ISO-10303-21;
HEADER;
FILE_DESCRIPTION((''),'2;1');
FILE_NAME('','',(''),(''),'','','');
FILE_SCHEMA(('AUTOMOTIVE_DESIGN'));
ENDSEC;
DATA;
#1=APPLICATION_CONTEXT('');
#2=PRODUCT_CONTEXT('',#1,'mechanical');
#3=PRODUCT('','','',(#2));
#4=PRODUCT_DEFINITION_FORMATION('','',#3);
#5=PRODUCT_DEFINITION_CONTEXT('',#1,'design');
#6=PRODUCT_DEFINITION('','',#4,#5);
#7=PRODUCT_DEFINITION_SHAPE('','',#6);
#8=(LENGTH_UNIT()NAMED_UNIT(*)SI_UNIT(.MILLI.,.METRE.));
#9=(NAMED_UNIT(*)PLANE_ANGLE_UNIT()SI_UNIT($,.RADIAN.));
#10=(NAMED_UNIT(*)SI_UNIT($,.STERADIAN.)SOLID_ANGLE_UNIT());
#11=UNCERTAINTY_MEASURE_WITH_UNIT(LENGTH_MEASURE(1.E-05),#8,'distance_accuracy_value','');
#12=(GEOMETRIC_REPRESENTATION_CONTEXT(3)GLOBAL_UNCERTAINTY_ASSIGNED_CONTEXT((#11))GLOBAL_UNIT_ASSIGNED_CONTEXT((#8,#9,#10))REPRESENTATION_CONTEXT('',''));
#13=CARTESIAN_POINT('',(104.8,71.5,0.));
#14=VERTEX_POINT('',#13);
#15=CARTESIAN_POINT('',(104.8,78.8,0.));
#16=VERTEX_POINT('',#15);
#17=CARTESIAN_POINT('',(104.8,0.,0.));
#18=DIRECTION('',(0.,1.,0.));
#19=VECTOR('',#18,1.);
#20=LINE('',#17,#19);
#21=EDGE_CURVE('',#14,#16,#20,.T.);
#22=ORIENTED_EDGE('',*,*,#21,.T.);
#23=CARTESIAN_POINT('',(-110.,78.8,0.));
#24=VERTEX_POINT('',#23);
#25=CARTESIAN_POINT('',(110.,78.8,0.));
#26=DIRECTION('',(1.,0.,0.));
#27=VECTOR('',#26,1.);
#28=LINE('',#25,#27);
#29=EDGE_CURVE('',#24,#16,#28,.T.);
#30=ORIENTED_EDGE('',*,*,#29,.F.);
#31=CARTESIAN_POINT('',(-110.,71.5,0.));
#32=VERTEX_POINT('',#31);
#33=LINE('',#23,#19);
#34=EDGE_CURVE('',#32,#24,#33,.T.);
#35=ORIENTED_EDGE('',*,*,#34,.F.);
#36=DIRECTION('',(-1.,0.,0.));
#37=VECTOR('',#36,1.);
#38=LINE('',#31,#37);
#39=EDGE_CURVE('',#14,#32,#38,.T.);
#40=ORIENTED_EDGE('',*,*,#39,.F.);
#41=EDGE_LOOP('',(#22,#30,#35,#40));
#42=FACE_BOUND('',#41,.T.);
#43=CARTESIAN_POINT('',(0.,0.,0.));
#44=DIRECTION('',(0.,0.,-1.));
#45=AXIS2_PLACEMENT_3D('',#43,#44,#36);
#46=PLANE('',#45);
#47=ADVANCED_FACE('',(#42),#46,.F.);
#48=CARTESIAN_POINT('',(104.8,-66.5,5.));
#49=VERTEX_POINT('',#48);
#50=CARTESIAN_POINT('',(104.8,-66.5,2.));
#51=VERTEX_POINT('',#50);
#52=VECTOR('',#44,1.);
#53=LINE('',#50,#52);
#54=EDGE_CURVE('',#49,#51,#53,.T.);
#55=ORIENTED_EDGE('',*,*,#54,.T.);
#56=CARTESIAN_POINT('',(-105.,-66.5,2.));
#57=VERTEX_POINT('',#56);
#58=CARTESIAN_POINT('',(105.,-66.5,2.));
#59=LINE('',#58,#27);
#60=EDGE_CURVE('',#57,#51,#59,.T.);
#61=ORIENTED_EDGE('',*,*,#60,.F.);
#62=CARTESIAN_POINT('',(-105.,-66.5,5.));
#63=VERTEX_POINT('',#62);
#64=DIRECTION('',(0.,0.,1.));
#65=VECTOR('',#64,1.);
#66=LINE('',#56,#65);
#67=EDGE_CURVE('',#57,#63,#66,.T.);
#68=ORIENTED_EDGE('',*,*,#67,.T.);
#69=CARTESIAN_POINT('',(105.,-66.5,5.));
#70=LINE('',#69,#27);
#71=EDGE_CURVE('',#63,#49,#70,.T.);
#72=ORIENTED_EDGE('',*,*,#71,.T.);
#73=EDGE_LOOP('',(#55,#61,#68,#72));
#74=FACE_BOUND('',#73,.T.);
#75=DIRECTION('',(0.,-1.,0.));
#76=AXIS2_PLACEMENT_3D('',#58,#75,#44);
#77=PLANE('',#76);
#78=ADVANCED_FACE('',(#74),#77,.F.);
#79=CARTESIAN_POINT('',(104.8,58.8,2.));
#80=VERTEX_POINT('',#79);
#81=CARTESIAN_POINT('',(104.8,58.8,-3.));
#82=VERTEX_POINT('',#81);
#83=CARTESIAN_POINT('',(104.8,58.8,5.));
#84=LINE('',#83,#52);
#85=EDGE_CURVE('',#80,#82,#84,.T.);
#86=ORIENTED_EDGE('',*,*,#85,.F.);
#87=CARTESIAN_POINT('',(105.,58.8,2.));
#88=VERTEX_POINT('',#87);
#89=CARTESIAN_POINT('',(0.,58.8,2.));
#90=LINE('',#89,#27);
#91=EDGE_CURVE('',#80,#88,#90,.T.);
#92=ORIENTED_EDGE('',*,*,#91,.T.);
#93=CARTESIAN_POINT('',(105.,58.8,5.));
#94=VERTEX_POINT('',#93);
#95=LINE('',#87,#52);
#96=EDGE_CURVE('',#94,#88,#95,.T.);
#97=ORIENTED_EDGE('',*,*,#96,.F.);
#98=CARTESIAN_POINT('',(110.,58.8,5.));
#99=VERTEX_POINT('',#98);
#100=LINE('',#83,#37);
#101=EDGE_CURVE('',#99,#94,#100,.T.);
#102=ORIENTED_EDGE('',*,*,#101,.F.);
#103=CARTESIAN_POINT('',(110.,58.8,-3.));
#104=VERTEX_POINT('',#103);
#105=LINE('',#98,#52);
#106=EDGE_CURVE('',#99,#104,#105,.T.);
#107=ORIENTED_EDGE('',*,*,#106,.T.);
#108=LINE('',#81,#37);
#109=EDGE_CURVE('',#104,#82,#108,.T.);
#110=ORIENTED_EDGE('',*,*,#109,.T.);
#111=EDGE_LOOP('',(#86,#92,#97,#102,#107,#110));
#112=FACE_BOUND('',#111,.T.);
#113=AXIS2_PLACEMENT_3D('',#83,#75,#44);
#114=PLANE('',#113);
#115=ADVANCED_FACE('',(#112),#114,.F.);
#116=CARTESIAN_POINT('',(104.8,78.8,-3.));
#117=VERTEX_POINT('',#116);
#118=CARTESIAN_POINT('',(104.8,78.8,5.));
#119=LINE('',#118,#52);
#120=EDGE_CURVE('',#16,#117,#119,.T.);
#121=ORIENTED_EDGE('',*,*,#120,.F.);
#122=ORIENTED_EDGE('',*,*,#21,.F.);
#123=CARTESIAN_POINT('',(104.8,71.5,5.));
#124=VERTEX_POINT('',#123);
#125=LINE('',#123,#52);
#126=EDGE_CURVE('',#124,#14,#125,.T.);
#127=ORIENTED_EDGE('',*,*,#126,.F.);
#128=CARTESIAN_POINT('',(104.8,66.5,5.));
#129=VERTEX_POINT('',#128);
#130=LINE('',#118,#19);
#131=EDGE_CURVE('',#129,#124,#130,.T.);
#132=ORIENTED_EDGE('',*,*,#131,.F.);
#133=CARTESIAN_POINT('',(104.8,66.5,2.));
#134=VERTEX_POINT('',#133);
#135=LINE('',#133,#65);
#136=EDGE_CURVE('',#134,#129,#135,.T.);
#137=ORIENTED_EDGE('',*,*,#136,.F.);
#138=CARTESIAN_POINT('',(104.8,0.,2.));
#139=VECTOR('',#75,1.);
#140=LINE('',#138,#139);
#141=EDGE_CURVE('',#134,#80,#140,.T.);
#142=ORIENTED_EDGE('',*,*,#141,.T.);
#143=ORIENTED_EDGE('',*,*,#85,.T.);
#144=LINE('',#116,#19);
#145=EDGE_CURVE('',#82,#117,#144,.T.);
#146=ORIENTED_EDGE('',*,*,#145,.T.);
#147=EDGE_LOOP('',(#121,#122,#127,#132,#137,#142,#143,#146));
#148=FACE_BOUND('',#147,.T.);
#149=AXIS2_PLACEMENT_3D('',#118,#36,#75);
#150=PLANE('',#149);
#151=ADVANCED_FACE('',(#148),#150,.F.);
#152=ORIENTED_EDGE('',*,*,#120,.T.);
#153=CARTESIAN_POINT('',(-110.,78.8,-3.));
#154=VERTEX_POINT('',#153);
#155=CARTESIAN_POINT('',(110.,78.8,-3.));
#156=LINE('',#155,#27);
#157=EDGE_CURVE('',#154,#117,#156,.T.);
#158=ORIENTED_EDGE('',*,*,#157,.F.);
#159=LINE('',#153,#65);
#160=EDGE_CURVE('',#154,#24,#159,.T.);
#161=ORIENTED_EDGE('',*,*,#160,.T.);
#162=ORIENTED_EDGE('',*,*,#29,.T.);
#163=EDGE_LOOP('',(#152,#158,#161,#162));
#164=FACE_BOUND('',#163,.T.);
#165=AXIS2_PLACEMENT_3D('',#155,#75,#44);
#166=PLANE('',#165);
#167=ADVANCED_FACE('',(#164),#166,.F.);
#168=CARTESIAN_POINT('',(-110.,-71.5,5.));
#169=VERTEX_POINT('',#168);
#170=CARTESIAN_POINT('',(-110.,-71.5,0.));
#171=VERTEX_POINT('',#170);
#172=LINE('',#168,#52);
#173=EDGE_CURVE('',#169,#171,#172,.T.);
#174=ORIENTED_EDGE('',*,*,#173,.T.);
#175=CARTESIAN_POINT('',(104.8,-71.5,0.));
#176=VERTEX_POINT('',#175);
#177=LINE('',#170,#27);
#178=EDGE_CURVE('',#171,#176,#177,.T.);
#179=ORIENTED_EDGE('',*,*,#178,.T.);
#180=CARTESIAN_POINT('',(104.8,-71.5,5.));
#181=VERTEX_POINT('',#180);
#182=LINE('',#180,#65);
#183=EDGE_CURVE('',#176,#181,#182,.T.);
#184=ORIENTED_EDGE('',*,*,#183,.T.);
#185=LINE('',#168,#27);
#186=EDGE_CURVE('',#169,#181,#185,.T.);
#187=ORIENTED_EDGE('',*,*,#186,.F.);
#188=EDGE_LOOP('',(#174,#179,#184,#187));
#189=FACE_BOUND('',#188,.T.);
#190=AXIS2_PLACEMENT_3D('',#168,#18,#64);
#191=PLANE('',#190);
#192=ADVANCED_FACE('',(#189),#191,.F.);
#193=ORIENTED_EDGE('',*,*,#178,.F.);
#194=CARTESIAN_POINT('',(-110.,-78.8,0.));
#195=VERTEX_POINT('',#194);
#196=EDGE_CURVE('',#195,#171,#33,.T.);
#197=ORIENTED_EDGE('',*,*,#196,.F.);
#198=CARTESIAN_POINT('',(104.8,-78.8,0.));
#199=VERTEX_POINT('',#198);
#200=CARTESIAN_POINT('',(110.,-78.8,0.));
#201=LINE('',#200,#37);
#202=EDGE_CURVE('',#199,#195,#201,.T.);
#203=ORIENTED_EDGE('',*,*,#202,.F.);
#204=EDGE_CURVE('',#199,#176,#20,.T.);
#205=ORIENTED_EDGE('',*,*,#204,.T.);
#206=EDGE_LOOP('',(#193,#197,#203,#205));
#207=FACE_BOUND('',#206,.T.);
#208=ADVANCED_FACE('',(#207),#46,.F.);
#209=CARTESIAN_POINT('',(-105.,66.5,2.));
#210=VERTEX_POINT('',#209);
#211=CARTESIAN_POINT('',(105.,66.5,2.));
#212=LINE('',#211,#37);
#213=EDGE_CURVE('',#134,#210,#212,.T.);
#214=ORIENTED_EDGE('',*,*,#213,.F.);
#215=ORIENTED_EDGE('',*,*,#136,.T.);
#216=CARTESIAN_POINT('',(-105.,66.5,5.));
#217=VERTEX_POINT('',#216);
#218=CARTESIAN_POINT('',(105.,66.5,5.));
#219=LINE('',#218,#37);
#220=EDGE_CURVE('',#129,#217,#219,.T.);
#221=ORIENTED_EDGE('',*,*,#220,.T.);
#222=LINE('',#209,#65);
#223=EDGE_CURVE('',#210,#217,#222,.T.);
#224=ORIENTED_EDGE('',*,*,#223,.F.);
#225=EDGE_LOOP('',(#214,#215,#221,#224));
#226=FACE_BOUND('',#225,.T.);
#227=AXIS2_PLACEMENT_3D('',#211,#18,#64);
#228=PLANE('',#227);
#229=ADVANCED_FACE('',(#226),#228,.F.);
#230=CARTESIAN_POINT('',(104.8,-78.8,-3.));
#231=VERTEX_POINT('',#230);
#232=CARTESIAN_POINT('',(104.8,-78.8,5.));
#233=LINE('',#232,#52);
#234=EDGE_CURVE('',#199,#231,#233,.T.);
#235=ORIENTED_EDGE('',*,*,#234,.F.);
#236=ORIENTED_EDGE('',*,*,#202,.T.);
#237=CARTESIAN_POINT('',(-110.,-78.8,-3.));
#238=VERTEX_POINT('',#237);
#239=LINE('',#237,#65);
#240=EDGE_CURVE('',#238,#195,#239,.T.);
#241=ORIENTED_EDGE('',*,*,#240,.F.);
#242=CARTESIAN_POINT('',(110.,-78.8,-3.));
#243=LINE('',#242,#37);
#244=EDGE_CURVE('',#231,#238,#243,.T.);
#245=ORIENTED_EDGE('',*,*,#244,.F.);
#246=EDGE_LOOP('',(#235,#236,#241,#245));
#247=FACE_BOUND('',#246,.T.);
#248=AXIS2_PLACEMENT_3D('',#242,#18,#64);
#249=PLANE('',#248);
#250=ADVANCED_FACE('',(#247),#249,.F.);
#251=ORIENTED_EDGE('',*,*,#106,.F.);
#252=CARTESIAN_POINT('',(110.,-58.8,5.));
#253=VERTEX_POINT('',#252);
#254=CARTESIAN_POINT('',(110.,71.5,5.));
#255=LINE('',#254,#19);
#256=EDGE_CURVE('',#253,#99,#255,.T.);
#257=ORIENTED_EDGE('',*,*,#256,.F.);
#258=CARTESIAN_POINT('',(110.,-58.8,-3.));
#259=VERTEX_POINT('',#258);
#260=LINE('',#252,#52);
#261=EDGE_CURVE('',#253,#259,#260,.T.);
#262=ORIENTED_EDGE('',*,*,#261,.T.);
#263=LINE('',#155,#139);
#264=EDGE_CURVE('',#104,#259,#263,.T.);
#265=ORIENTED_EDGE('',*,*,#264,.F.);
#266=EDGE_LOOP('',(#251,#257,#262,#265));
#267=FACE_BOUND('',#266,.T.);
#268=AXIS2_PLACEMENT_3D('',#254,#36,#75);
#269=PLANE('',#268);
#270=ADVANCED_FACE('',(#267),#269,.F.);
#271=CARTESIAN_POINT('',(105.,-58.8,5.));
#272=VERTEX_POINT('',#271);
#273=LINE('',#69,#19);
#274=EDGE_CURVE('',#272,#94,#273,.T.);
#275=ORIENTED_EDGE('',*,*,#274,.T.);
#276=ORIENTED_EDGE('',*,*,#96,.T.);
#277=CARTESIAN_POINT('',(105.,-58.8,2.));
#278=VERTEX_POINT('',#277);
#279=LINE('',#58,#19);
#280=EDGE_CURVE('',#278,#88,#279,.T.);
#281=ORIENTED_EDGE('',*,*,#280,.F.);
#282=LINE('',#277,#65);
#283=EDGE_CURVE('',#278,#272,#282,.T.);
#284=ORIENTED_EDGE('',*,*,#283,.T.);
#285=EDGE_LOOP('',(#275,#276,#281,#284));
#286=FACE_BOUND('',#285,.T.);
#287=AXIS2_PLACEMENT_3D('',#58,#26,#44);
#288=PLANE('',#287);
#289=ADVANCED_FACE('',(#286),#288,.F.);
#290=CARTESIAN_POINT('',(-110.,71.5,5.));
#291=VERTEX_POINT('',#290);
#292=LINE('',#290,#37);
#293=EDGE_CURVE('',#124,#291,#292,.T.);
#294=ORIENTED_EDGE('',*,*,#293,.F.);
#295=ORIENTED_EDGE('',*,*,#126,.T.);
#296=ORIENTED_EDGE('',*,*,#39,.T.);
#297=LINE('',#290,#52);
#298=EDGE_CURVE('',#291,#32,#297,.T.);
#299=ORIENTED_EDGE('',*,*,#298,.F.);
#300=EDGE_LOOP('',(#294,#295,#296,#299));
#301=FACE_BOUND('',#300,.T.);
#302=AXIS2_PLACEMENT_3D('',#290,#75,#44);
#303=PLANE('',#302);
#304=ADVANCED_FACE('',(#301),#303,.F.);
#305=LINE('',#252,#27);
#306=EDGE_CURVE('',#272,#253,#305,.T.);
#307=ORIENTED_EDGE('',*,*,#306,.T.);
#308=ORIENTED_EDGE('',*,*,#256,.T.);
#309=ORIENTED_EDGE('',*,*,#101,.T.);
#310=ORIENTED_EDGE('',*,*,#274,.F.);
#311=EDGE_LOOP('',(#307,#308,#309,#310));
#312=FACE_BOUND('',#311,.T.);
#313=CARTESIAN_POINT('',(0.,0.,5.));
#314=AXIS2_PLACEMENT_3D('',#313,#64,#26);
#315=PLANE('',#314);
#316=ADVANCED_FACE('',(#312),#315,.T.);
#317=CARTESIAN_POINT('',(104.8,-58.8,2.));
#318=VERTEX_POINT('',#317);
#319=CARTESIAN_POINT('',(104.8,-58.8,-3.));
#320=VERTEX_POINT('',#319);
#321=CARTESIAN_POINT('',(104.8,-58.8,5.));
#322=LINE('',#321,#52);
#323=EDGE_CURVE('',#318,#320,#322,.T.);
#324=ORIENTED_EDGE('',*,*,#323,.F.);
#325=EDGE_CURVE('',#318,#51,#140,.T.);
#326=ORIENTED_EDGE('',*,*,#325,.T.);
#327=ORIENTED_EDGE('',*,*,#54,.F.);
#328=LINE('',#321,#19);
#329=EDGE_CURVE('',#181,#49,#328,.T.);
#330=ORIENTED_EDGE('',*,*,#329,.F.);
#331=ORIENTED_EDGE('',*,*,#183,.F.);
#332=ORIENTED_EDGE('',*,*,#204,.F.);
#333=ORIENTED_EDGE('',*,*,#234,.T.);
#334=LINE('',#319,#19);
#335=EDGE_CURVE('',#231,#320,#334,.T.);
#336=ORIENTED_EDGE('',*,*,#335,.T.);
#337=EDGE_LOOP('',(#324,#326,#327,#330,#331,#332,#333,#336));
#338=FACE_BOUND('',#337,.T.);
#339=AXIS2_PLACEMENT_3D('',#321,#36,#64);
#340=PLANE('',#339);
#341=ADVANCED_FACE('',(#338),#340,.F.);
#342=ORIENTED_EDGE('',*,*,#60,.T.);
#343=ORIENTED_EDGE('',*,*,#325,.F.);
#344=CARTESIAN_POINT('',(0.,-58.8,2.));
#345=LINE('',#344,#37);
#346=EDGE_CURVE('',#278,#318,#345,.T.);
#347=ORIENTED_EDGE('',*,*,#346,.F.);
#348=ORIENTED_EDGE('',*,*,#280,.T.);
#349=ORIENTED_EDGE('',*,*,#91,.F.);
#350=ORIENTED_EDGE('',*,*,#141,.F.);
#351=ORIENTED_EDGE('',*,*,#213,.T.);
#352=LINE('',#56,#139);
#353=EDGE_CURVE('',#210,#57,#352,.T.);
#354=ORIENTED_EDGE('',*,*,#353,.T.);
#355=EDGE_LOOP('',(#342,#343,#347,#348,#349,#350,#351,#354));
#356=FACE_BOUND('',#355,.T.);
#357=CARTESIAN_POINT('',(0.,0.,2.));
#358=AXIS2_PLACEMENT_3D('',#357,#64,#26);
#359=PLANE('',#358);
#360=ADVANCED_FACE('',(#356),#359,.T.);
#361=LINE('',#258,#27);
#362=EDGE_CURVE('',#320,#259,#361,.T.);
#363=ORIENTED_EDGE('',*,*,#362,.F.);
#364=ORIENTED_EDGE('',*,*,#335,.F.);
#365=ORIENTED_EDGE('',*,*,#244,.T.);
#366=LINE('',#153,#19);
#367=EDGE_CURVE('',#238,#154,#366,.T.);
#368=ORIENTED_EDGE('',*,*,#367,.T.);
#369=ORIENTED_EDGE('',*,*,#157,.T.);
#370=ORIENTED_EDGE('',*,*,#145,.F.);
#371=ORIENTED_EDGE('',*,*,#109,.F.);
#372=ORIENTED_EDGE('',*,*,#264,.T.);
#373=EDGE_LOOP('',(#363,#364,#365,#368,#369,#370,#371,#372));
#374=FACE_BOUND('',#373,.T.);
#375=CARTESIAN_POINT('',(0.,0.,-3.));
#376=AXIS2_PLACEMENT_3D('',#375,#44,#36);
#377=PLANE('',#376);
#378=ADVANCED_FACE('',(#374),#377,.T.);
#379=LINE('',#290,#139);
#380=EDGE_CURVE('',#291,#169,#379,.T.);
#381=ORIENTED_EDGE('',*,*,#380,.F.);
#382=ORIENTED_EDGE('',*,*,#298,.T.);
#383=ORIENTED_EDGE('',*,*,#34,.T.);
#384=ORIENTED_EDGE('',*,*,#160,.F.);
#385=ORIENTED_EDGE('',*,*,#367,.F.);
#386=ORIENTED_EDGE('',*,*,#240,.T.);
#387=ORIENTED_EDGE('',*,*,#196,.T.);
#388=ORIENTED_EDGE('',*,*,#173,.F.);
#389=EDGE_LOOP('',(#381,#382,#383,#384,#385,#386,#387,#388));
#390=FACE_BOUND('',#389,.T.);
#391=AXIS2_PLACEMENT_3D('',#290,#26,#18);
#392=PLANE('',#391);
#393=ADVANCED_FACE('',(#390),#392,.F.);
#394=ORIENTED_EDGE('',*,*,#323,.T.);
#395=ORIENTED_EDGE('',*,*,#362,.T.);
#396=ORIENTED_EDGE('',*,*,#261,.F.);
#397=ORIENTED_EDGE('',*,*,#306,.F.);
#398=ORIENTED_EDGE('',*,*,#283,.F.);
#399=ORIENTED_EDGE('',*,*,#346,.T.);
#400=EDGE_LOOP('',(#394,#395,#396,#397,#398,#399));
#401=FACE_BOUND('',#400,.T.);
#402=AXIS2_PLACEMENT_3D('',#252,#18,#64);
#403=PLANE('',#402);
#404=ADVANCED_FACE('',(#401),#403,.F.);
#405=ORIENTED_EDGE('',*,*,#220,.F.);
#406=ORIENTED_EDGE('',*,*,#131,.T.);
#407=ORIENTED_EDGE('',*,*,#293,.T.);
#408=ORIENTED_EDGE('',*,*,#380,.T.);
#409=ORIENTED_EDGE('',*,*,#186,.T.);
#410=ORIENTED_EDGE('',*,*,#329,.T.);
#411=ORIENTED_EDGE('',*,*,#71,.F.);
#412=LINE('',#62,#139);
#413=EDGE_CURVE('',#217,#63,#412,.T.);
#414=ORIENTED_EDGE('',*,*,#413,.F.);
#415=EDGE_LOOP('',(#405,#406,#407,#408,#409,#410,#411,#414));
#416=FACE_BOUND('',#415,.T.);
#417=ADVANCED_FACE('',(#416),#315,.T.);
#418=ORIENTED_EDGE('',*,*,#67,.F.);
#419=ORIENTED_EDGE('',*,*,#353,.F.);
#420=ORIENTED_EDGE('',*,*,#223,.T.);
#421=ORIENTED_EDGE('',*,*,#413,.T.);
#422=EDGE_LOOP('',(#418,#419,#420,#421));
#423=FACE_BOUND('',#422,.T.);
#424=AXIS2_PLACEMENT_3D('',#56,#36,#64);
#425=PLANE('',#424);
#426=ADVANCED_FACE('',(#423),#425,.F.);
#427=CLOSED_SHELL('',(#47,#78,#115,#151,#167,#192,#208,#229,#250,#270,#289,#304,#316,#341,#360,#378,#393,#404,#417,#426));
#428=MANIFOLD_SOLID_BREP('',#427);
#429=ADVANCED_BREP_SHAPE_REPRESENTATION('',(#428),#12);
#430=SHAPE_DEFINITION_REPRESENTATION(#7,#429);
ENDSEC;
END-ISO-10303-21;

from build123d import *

# Parameters (mm, degrees)
CROQUIS1_W              = 220
CROQUIS1_H              = 143
SALIENTE_EXTRUIR1_DEPTH = 5
CROQUIS2_W              = 210
CROQUIS2_H              = 133
CORTAR_EXTRUIR1_DEPTH   = 3
CROQUIS3_W              = 220
CROQUIS3_H              = 157.6
SALIENTE_EXTRUIR2_DEPTH = 3
CROQUIS4_W              = 5.2
CROQUIS4_H              = 20
CORTAR_EXTRUIR2_DEPTH   = 136.548662848


with BuildPart() as part:
    # Croquis1 → Saliente-Extruir1 (new body)
    with BuildSketch(Plane.XY):
        Rectangle(CROQUIS1_W, CROQUIS1_H)
    extrude(amount=SALIENTE_EXTRUIR1_DEPTH)

    # Croquis2 → Cortar-Extruir1 (cut)
    with BuildSketch(Plane.XY.offset(5)):
        Rectangle(CROQUIS2_W, CROQUIS2_H)
    extrude(amount=-CORTAR_EXTRUIR1_DEPTH, mode=Mode.SUBTRACT)

    # Croquis3 → Saliente-Extruir2 (add)
    with BuildSketch(Plane(origin=(0, 0, 0), x_dir=(-1, 0, 0), z_dir=(0, 0, -1))):
        Rectangle(CROQUIS3_W, CROQUIS3_H)
    extrude(amount=SALIENTE_EXTRUIR2_DEPTH)

    # Croquis4 → Cortar-Extruir2 (cut, through all)
    with BuildSketch(Plane(origin=(0, 0, -3), x_dir=(-1, 0, 0), z_dir=(0, 0, -1))):
        with Locations((-107.4, 68.8)):
            Rectangle(CROQUIS4_W, CROQUIS4_H)
        with Locations((-107.4, -68.8)):
            Rectangle(CROQUIS4_W, CROQUIS4_H)
    extrude(amount=-CORTAR_EXTRUIR2_DEPTH, mode=Mode.SUBTRACT)


solid = part.part
